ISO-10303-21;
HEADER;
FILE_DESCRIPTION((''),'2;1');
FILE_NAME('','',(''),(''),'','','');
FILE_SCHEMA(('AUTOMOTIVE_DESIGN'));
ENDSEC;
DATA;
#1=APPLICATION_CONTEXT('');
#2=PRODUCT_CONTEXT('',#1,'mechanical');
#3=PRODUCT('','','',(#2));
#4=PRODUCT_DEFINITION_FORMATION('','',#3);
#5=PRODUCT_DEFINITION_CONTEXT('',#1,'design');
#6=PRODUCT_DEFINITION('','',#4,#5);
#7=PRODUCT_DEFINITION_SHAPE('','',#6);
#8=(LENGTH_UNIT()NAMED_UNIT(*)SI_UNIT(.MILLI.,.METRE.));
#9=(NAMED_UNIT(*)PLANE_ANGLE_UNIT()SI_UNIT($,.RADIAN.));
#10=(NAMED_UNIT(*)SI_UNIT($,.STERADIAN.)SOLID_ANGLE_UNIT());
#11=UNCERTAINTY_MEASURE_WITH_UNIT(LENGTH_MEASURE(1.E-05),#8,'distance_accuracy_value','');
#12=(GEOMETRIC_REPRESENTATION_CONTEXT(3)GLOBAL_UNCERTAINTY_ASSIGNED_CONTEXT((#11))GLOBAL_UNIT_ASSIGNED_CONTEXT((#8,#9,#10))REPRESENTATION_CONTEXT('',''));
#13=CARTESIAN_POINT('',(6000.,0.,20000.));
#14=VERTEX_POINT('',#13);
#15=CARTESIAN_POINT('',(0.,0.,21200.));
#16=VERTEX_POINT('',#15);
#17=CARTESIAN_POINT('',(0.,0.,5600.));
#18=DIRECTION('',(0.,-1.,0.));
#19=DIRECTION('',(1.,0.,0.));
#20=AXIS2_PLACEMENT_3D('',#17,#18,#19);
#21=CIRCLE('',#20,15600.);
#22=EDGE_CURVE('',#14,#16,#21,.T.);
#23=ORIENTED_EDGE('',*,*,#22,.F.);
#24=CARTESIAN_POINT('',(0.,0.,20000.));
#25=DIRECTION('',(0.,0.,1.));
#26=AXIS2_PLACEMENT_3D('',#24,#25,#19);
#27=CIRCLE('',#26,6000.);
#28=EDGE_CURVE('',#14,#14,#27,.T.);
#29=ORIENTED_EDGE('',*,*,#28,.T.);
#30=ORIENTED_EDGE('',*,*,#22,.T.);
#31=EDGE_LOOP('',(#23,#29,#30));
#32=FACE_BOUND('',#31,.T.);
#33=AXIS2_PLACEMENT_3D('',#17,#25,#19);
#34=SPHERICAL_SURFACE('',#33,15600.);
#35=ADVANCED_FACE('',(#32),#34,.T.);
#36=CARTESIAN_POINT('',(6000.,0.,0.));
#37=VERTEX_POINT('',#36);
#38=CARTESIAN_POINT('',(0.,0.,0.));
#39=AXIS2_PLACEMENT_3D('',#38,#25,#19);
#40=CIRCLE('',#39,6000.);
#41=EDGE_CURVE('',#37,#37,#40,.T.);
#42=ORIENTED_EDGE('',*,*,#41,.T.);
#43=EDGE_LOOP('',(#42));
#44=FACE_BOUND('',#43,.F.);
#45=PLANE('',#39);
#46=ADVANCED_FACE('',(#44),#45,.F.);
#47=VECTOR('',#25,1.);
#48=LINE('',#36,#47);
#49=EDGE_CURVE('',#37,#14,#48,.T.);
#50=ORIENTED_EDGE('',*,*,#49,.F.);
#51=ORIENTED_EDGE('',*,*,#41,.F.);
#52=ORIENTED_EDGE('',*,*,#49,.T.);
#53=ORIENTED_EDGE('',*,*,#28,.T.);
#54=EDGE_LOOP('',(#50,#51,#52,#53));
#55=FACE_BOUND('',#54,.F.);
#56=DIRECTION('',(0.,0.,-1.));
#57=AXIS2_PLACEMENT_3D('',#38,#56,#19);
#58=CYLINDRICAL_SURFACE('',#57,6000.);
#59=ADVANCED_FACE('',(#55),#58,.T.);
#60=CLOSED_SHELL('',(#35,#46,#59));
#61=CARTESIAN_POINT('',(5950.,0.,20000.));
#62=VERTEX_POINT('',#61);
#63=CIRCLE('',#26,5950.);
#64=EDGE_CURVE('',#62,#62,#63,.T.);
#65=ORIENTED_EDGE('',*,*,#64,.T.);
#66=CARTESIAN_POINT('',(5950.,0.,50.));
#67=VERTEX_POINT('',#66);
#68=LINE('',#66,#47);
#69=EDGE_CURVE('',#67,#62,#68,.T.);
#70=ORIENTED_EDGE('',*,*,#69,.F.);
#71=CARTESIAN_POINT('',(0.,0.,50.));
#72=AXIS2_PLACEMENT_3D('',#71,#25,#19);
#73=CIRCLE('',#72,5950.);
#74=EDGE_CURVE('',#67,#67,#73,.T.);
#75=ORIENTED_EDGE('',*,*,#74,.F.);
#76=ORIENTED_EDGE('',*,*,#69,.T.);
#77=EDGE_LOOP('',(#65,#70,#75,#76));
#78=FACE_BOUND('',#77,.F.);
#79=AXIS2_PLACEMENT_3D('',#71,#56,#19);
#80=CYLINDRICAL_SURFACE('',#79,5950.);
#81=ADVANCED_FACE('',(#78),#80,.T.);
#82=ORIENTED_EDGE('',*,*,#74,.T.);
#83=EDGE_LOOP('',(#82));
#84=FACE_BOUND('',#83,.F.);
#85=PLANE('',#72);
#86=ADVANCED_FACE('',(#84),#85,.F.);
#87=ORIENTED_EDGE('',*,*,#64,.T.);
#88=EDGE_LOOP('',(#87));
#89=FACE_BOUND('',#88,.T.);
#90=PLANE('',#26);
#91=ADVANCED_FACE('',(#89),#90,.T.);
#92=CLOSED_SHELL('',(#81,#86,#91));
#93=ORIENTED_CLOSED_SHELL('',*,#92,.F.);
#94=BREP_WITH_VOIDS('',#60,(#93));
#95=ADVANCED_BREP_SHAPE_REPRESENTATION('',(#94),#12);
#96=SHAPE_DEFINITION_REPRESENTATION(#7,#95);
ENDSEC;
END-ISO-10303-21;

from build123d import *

# Parameters (mm, degrees)
SKETCH2_R           = 6000
BOSS_EXTRUDE1_DEPTH = 20000
DOME1_FACE_RADIUS   = 6000
DOME1_HEIGHT        = 1200
SKETCH3_R           = 5950
CUT_EXTRUDE1_DEPTH  = 19950


with BuildPart() as part:
    # Sketch2 → Boss-Extrude1 (new body)
    with BuildSketch(Plane.XY):
        Circle(SKETCH2_R)
    extrude(amount=BOSS_EXTRUDE1_DEPTH)

    # Dome1: a dome of height H over a round flat face of radius A is a cap of a sphere of radius (A * A + H * H) / (2 * H)
    dome1_r = (DOME1_FACE_RADIUS * DOME1_FACE_RADIUS + DOME1_HEIGHT * DOME1_HEIGHT) / (2 * DOME1_HEIGHT)
    dome1_base = Plane((0, 0, 20000), z_dir=(0, 0, 1))
    with Locations(dome1_base.offset(DOME1_HEIGHT - dome1_r)):
        dome1_ball = Sphere(dome1_r, mode=Mode.PRIVATE)
    add(split(dome1_ball, bisect_by=dome1_base, keep=Keep.TOP, mode=Mode.PRIVATE))

    # Sketch3 → Cut-Extrude1 (cut)
    with BuildSketch(Plane.XY.offset(50)):
        Circle(SKETCH3_R)
    extrude(amount=CUT_EXTRUDE1_DEPTH, mode=Mode.SUBTRACT)


solid = part.part
